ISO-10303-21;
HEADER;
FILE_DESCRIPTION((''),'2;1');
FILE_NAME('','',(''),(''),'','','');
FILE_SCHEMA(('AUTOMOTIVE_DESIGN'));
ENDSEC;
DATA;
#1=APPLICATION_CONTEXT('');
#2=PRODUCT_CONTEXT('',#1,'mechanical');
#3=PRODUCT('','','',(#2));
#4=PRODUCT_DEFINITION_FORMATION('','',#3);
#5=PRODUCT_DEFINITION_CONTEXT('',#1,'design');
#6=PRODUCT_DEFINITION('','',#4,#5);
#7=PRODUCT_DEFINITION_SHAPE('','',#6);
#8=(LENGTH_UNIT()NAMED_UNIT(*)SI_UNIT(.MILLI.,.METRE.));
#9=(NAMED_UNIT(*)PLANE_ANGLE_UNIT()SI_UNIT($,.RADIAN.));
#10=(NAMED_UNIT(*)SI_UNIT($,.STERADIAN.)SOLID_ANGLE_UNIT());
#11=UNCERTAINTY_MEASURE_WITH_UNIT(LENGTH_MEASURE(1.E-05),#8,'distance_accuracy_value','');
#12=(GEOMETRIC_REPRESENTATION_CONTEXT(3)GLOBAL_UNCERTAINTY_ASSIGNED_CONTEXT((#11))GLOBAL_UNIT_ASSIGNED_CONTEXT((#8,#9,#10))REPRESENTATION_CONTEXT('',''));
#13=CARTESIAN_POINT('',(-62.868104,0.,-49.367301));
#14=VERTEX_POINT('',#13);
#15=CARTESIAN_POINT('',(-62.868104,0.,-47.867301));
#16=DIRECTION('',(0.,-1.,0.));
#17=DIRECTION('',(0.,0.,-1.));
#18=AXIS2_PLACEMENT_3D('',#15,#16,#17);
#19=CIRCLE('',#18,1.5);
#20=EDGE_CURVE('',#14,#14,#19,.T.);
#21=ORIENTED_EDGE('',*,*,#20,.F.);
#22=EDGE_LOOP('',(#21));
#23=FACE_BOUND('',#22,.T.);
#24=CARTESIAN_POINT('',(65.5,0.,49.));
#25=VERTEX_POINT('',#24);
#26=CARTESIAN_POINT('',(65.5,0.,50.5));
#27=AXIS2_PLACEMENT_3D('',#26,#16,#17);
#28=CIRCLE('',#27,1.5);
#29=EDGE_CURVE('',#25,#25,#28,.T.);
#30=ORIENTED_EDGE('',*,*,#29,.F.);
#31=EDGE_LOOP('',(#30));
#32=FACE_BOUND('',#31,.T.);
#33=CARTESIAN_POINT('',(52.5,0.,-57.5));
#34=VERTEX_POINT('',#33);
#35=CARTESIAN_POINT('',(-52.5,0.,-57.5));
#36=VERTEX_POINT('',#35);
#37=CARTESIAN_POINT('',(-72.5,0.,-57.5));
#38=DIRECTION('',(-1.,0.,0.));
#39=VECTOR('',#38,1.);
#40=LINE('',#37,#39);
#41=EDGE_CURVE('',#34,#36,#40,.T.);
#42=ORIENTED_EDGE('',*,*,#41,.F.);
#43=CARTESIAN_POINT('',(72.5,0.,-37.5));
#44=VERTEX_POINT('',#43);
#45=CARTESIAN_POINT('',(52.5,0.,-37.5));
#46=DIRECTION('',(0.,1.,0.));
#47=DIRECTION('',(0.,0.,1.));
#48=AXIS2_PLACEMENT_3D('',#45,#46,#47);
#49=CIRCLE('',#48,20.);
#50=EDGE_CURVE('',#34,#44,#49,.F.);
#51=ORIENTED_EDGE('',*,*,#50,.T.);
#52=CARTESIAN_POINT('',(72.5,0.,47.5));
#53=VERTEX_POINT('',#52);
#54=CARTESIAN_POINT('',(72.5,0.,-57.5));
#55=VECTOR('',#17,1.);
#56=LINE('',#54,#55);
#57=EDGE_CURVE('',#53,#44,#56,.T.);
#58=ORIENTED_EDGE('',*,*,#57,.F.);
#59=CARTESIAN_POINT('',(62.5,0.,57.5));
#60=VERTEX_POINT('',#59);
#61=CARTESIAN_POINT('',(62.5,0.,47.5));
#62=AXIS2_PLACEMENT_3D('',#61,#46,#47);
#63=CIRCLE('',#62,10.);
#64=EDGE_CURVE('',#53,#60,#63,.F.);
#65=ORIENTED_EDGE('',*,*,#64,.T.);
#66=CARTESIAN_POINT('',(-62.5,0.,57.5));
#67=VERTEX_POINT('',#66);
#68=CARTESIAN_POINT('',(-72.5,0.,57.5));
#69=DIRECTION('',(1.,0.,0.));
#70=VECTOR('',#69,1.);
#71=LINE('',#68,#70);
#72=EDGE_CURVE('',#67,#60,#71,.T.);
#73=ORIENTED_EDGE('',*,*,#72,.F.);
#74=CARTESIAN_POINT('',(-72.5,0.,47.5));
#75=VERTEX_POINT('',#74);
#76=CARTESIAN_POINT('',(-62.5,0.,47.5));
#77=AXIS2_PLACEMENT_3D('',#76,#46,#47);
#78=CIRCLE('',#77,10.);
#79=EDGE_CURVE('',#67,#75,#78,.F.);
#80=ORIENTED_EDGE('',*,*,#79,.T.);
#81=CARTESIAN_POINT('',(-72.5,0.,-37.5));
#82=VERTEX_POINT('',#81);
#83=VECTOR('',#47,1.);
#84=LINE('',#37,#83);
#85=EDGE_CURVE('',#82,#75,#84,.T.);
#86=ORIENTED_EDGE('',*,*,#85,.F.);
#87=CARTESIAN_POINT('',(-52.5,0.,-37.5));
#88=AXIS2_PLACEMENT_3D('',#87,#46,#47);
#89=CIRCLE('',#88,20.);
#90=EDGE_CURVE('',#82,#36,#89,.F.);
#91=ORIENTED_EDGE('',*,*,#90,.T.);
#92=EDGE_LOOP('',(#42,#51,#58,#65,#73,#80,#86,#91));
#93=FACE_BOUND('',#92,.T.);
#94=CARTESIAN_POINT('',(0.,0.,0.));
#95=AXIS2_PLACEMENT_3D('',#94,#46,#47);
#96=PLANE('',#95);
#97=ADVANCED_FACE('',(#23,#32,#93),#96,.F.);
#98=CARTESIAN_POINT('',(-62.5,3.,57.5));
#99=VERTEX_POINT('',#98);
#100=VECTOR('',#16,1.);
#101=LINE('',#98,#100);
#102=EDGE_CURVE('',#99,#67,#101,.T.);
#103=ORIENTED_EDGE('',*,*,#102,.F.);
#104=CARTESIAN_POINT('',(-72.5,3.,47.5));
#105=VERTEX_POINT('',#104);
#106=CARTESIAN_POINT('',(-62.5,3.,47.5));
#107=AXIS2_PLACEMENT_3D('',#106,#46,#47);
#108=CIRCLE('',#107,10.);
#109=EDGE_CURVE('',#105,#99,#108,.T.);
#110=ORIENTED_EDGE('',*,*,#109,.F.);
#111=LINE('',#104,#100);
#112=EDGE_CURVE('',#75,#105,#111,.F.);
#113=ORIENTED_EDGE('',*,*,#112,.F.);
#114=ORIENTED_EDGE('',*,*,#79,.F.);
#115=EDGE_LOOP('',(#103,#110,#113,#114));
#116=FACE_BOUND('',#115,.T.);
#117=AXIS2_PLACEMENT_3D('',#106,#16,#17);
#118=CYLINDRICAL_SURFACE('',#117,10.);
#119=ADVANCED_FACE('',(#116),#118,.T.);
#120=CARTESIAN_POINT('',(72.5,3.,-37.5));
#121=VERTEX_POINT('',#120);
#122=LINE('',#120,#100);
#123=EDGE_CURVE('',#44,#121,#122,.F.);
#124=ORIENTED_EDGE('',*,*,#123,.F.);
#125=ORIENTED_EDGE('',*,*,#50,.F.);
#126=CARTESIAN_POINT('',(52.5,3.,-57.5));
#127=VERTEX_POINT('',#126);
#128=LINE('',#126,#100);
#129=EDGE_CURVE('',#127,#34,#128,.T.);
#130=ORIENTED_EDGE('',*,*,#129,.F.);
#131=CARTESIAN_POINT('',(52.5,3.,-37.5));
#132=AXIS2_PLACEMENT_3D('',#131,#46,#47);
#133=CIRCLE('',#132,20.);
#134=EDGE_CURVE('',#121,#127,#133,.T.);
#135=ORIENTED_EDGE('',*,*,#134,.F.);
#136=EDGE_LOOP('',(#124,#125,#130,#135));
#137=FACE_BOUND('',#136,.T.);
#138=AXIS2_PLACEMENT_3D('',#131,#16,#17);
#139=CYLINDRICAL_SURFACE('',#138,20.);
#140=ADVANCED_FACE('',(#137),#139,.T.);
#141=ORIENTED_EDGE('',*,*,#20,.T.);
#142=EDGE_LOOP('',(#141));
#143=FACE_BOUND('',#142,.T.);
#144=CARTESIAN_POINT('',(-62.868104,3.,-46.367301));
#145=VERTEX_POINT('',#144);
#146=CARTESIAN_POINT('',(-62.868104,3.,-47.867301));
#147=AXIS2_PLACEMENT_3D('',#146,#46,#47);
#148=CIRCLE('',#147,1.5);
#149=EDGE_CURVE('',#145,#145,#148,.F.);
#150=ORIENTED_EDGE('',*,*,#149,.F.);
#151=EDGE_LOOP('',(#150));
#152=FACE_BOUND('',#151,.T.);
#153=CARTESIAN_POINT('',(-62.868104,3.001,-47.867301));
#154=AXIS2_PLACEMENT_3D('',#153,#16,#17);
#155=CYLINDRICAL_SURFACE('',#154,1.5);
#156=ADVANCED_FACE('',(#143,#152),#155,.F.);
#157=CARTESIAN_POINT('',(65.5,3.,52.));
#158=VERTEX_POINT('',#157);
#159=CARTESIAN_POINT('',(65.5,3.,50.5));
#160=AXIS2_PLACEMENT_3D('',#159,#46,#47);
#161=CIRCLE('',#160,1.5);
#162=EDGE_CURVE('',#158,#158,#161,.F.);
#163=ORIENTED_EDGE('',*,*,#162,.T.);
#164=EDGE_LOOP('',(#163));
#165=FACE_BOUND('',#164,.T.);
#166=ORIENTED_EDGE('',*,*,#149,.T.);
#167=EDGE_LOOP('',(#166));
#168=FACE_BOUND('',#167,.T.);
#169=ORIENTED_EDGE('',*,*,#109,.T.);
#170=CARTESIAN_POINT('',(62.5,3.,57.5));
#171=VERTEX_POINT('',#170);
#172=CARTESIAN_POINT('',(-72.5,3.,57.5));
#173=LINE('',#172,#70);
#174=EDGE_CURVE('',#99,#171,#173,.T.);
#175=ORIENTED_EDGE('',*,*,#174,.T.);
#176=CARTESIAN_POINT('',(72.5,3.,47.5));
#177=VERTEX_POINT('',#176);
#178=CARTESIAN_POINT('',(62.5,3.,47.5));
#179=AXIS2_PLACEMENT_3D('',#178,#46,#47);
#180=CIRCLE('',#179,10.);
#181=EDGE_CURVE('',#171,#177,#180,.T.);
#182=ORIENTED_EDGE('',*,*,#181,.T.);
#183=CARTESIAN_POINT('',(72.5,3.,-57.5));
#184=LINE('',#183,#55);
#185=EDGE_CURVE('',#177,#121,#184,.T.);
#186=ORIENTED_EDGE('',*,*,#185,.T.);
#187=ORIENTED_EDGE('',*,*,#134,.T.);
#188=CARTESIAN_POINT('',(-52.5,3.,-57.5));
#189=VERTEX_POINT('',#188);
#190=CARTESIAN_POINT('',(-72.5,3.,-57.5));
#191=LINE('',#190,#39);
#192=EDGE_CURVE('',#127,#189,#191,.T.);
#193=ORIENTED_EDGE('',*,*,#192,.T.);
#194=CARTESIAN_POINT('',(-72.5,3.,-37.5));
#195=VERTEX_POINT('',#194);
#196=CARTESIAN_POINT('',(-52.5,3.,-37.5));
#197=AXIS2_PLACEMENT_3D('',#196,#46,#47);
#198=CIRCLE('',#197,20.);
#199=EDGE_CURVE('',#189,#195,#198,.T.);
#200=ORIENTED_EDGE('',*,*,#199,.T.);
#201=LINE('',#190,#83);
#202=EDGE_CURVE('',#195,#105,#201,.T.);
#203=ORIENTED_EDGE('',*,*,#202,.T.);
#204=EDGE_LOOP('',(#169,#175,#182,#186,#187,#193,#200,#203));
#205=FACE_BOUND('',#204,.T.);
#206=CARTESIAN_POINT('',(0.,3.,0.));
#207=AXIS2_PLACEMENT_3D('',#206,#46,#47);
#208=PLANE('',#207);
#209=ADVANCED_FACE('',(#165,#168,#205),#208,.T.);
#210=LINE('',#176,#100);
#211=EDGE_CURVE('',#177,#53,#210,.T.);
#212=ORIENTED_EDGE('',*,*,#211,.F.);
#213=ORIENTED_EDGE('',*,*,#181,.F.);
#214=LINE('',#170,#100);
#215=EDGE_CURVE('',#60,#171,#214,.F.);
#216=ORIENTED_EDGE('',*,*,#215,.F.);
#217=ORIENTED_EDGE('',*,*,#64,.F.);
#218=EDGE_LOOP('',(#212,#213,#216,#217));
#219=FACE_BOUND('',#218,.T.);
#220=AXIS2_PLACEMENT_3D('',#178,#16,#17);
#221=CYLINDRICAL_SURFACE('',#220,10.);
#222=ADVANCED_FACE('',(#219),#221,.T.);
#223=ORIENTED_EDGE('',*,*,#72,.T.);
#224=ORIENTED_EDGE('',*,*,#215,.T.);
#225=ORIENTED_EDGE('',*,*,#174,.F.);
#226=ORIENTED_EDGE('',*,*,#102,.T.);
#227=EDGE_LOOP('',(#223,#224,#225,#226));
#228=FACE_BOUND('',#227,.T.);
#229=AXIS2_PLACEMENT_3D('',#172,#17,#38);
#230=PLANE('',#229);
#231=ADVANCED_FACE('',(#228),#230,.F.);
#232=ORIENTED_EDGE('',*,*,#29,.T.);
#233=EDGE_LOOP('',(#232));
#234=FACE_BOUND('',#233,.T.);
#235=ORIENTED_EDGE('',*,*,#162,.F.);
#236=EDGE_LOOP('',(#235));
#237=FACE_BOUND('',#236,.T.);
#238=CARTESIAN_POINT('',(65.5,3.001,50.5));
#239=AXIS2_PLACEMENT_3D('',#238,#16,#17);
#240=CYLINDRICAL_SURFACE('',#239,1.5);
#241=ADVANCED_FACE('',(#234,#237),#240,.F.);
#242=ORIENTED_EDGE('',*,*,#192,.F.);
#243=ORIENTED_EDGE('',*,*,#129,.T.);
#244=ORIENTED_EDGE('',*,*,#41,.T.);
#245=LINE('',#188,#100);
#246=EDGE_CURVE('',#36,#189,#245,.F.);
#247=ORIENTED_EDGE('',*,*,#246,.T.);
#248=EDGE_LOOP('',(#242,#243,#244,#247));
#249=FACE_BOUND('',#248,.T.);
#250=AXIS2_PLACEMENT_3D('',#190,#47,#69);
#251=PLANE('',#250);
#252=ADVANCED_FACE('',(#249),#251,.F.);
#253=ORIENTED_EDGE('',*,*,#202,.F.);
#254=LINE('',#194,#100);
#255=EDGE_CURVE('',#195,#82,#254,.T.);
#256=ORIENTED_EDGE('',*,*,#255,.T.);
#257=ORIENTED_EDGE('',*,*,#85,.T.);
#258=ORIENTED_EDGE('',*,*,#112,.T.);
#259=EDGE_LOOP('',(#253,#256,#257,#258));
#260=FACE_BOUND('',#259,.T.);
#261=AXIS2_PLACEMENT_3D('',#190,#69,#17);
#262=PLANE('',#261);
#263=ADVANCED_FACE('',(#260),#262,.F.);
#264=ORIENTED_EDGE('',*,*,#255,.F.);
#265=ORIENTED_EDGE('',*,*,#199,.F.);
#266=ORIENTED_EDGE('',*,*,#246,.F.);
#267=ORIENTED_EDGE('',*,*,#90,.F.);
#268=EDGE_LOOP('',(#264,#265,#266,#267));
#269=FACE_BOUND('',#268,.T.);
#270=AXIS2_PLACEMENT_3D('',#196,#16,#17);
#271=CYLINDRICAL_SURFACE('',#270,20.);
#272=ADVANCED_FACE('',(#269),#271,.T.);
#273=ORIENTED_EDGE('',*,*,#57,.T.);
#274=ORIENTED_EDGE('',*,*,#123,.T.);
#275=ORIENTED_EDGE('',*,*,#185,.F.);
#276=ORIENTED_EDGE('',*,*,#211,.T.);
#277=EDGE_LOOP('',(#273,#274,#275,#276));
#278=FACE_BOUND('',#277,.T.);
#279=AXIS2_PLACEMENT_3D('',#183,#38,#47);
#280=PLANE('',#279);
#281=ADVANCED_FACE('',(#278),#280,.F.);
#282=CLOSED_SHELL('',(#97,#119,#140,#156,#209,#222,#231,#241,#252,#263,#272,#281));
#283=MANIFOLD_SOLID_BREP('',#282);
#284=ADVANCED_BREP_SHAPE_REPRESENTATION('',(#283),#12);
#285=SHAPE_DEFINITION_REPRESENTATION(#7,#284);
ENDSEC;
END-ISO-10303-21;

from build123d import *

# Parameters (mm, degrees)
SKETCH1_W           = 145
SKETCH1_H           = 115
BOSS_EXTRUDE1_DEPTH = 3
FILLET1_R           = 10
FILLET2_R           = 20
CUT_EXTRUDE1_REACH  = 5
SKETCH2_R           = 1.5


with BuildPart() as part:
    # Sketch1 → Boss-Extrude1 (new body)
    with BuildSketch(Plane(origin=(0, 0, 0), x_dir=(1, 0, 0), z_dir=(0, 1, 0))):
        Rectangle(SKETCH1_W, SKETCH1_H)
    extrude(amount=BOSS_EXTRUDE1_DEPTH)

    # Fillet1
    fillet1_edges = [part.edges().sort_by_distance(p)[0] for p in [
        (72.5, 1.5, 57.5),
        (-72.5, 1.5, 57.5),
    ]]
    fillet(fillet1_edges, radius=FILLET1_R)

    # Fillet2
    fillet2_edges = [part.edges().sort_by_distance(p)[0] for p in [
        (-72.5, 1.5, -57.5),
        (72.5, 1.5, -57.5),
    ]]
    fillet(fillet2_edges, radius=FILLET2_R)

    # Sketch2 → Cut-Extrude1 (cut, up to next)
    with BuildSketch(Plane.XZ, mode=Mode.PRIVATE) as cut_extrude1_sk1:
        with Locations((65.5, 50.5)):
            Circle(SKETCH2_R)
    cut_extrude1_tool1 = extrude(cut_extrude1_sk1.sketch, amount=-CUT_EXTRUDE1_REACH, mode=Mode.PRIVATE) & part.part
    add(cut_extrude1_tool1.solids().sort_by_distance((65.5, 0, 50.5))[0], mode=Mode.SUBTRACT)
    # Sketch2 → Cut-Extrude1 (cut, up to next)
    with BuildSketch(Plane.XZ, mode=Mode.PRIVATE) as cut_extrude1_sk2:
        with Locations((-62.868103764, -47.867300771)):
            Circle(SKETCH2_R)
    cut_extrude1_tool2 = extrude(cut_extrude1_sk2.sketch, amount=-CUT_EXTRUDE1_REACH, mode=Mode.PRIVATE) & part.part
    add(cut_extrude1_tool2.solids().sort_by_distance((-62.868104, 0, -47.867301))[0], mode=Mode.SUBTRACT)


solid = part.part
